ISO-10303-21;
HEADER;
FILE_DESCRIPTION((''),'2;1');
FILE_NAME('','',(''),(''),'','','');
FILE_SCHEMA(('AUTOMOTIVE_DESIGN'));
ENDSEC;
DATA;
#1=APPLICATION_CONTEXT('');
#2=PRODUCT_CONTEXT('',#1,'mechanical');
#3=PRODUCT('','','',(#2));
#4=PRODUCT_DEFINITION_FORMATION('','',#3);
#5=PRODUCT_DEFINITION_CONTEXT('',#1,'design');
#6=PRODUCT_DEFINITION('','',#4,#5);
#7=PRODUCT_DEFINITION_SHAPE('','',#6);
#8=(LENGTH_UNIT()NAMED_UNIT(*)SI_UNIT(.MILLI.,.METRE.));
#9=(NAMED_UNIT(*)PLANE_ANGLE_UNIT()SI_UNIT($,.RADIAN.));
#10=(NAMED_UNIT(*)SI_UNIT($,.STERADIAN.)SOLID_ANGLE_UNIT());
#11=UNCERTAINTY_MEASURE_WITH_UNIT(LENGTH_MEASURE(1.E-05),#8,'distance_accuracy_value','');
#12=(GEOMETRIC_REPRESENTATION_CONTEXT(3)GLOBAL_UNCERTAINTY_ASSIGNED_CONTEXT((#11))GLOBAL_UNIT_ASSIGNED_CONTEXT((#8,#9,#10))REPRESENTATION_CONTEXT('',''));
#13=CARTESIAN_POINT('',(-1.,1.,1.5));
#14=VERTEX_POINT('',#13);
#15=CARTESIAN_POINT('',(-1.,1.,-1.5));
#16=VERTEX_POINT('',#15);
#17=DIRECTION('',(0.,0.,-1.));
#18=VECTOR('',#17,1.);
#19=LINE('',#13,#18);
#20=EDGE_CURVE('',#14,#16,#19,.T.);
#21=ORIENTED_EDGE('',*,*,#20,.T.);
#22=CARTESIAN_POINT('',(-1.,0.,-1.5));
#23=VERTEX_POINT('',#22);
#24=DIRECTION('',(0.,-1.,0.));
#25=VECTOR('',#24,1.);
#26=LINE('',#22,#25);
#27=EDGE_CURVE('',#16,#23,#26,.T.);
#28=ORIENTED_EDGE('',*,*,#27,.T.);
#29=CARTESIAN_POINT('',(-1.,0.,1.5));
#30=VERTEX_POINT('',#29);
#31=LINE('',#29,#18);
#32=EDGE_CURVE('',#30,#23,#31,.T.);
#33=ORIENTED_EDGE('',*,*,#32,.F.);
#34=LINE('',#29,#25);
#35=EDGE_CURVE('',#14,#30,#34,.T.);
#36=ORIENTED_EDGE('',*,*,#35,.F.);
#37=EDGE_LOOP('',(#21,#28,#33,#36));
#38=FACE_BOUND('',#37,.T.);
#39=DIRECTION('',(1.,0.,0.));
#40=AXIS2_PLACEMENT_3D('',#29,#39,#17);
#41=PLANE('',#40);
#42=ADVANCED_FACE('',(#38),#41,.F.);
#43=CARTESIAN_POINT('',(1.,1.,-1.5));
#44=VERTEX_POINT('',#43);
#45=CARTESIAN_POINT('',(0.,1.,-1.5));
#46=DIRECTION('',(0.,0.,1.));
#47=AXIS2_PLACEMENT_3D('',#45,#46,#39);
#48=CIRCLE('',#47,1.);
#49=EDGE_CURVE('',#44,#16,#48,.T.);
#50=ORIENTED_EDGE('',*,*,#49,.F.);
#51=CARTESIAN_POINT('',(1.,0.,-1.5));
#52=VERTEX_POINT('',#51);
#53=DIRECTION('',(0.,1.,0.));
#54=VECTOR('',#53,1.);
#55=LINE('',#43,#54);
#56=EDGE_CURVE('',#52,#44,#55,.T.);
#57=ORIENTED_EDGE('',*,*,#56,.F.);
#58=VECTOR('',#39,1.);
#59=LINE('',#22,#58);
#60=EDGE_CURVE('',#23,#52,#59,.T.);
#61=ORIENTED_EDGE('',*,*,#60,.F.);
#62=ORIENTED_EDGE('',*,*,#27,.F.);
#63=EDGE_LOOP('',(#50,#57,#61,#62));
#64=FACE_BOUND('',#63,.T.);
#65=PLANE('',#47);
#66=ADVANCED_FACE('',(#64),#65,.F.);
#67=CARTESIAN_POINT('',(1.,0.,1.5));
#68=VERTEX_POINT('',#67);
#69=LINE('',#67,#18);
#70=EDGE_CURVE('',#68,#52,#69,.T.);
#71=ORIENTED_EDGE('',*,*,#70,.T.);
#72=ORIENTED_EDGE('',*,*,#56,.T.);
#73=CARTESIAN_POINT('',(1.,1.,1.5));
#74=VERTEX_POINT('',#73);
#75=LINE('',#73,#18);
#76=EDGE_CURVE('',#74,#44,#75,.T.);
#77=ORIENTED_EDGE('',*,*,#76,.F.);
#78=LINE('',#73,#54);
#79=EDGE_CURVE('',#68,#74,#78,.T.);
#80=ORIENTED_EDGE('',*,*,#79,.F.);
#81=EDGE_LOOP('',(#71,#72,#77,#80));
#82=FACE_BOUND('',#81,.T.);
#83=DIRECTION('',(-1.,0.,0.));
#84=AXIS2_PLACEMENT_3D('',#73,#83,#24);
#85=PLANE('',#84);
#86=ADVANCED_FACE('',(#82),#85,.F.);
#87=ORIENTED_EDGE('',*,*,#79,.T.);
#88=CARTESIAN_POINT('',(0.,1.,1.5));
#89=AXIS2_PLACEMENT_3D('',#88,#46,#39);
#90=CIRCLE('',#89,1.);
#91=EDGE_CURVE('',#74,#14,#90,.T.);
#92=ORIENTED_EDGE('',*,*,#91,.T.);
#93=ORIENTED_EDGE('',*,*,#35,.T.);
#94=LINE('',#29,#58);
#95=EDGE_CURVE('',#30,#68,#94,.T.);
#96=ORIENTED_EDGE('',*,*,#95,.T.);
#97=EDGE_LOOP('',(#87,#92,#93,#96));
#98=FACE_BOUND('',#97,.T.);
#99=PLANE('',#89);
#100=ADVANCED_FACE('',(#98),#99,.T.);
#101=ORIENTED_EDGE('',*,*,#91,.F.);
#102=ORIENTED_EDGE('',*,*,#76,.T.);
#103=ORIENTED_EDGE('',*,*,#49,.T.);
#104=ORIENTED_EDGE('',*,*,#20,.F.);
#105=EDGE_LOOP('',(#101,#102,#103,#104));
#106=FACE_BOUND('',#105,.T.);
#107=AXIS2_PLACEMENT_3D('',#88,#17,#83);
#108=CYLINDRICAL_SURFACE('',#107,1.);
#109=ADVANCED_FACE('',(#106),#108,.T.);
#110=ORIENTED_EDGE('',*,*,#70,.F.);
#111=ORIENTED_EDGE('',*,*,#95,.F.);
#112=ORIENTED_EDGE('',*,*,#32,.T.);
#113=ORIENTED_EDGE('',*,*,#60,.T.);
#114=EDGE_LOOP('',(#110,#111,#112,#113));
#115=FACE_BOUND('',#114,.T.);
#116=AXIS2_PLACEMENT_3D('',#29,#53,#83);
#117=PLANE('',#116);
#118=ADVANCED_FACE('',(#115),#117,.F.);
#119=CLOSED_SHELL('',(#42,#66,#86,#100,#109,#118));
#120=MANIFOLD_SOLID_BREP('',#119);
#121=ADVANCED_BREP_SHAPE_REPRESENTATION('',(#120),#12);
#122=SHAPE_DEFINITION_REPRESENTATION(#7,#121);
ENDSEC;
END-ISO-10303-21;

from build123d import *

# Parameters (mm, degrees)
BOSS_EXTRUDE1_DEPTH = 1.5


with BuildPart() as part:
    # Sketch1 → Boss-Extrude1 (new, symmetric)
    with BuildSketch(Plane.XY):
        with BuildLine():
            Line((-1, 0), (1, 0))
            Line((1, 0), (1, 1))
            ThreePointArc((1, 1), (0, 2), (-1, 1))
            Line((-1, 1), (-1, 0))
        make_face()
    extrude(amount=BOSS_EXTRUDE1_DEPTH, both=True)


solid = part.part
